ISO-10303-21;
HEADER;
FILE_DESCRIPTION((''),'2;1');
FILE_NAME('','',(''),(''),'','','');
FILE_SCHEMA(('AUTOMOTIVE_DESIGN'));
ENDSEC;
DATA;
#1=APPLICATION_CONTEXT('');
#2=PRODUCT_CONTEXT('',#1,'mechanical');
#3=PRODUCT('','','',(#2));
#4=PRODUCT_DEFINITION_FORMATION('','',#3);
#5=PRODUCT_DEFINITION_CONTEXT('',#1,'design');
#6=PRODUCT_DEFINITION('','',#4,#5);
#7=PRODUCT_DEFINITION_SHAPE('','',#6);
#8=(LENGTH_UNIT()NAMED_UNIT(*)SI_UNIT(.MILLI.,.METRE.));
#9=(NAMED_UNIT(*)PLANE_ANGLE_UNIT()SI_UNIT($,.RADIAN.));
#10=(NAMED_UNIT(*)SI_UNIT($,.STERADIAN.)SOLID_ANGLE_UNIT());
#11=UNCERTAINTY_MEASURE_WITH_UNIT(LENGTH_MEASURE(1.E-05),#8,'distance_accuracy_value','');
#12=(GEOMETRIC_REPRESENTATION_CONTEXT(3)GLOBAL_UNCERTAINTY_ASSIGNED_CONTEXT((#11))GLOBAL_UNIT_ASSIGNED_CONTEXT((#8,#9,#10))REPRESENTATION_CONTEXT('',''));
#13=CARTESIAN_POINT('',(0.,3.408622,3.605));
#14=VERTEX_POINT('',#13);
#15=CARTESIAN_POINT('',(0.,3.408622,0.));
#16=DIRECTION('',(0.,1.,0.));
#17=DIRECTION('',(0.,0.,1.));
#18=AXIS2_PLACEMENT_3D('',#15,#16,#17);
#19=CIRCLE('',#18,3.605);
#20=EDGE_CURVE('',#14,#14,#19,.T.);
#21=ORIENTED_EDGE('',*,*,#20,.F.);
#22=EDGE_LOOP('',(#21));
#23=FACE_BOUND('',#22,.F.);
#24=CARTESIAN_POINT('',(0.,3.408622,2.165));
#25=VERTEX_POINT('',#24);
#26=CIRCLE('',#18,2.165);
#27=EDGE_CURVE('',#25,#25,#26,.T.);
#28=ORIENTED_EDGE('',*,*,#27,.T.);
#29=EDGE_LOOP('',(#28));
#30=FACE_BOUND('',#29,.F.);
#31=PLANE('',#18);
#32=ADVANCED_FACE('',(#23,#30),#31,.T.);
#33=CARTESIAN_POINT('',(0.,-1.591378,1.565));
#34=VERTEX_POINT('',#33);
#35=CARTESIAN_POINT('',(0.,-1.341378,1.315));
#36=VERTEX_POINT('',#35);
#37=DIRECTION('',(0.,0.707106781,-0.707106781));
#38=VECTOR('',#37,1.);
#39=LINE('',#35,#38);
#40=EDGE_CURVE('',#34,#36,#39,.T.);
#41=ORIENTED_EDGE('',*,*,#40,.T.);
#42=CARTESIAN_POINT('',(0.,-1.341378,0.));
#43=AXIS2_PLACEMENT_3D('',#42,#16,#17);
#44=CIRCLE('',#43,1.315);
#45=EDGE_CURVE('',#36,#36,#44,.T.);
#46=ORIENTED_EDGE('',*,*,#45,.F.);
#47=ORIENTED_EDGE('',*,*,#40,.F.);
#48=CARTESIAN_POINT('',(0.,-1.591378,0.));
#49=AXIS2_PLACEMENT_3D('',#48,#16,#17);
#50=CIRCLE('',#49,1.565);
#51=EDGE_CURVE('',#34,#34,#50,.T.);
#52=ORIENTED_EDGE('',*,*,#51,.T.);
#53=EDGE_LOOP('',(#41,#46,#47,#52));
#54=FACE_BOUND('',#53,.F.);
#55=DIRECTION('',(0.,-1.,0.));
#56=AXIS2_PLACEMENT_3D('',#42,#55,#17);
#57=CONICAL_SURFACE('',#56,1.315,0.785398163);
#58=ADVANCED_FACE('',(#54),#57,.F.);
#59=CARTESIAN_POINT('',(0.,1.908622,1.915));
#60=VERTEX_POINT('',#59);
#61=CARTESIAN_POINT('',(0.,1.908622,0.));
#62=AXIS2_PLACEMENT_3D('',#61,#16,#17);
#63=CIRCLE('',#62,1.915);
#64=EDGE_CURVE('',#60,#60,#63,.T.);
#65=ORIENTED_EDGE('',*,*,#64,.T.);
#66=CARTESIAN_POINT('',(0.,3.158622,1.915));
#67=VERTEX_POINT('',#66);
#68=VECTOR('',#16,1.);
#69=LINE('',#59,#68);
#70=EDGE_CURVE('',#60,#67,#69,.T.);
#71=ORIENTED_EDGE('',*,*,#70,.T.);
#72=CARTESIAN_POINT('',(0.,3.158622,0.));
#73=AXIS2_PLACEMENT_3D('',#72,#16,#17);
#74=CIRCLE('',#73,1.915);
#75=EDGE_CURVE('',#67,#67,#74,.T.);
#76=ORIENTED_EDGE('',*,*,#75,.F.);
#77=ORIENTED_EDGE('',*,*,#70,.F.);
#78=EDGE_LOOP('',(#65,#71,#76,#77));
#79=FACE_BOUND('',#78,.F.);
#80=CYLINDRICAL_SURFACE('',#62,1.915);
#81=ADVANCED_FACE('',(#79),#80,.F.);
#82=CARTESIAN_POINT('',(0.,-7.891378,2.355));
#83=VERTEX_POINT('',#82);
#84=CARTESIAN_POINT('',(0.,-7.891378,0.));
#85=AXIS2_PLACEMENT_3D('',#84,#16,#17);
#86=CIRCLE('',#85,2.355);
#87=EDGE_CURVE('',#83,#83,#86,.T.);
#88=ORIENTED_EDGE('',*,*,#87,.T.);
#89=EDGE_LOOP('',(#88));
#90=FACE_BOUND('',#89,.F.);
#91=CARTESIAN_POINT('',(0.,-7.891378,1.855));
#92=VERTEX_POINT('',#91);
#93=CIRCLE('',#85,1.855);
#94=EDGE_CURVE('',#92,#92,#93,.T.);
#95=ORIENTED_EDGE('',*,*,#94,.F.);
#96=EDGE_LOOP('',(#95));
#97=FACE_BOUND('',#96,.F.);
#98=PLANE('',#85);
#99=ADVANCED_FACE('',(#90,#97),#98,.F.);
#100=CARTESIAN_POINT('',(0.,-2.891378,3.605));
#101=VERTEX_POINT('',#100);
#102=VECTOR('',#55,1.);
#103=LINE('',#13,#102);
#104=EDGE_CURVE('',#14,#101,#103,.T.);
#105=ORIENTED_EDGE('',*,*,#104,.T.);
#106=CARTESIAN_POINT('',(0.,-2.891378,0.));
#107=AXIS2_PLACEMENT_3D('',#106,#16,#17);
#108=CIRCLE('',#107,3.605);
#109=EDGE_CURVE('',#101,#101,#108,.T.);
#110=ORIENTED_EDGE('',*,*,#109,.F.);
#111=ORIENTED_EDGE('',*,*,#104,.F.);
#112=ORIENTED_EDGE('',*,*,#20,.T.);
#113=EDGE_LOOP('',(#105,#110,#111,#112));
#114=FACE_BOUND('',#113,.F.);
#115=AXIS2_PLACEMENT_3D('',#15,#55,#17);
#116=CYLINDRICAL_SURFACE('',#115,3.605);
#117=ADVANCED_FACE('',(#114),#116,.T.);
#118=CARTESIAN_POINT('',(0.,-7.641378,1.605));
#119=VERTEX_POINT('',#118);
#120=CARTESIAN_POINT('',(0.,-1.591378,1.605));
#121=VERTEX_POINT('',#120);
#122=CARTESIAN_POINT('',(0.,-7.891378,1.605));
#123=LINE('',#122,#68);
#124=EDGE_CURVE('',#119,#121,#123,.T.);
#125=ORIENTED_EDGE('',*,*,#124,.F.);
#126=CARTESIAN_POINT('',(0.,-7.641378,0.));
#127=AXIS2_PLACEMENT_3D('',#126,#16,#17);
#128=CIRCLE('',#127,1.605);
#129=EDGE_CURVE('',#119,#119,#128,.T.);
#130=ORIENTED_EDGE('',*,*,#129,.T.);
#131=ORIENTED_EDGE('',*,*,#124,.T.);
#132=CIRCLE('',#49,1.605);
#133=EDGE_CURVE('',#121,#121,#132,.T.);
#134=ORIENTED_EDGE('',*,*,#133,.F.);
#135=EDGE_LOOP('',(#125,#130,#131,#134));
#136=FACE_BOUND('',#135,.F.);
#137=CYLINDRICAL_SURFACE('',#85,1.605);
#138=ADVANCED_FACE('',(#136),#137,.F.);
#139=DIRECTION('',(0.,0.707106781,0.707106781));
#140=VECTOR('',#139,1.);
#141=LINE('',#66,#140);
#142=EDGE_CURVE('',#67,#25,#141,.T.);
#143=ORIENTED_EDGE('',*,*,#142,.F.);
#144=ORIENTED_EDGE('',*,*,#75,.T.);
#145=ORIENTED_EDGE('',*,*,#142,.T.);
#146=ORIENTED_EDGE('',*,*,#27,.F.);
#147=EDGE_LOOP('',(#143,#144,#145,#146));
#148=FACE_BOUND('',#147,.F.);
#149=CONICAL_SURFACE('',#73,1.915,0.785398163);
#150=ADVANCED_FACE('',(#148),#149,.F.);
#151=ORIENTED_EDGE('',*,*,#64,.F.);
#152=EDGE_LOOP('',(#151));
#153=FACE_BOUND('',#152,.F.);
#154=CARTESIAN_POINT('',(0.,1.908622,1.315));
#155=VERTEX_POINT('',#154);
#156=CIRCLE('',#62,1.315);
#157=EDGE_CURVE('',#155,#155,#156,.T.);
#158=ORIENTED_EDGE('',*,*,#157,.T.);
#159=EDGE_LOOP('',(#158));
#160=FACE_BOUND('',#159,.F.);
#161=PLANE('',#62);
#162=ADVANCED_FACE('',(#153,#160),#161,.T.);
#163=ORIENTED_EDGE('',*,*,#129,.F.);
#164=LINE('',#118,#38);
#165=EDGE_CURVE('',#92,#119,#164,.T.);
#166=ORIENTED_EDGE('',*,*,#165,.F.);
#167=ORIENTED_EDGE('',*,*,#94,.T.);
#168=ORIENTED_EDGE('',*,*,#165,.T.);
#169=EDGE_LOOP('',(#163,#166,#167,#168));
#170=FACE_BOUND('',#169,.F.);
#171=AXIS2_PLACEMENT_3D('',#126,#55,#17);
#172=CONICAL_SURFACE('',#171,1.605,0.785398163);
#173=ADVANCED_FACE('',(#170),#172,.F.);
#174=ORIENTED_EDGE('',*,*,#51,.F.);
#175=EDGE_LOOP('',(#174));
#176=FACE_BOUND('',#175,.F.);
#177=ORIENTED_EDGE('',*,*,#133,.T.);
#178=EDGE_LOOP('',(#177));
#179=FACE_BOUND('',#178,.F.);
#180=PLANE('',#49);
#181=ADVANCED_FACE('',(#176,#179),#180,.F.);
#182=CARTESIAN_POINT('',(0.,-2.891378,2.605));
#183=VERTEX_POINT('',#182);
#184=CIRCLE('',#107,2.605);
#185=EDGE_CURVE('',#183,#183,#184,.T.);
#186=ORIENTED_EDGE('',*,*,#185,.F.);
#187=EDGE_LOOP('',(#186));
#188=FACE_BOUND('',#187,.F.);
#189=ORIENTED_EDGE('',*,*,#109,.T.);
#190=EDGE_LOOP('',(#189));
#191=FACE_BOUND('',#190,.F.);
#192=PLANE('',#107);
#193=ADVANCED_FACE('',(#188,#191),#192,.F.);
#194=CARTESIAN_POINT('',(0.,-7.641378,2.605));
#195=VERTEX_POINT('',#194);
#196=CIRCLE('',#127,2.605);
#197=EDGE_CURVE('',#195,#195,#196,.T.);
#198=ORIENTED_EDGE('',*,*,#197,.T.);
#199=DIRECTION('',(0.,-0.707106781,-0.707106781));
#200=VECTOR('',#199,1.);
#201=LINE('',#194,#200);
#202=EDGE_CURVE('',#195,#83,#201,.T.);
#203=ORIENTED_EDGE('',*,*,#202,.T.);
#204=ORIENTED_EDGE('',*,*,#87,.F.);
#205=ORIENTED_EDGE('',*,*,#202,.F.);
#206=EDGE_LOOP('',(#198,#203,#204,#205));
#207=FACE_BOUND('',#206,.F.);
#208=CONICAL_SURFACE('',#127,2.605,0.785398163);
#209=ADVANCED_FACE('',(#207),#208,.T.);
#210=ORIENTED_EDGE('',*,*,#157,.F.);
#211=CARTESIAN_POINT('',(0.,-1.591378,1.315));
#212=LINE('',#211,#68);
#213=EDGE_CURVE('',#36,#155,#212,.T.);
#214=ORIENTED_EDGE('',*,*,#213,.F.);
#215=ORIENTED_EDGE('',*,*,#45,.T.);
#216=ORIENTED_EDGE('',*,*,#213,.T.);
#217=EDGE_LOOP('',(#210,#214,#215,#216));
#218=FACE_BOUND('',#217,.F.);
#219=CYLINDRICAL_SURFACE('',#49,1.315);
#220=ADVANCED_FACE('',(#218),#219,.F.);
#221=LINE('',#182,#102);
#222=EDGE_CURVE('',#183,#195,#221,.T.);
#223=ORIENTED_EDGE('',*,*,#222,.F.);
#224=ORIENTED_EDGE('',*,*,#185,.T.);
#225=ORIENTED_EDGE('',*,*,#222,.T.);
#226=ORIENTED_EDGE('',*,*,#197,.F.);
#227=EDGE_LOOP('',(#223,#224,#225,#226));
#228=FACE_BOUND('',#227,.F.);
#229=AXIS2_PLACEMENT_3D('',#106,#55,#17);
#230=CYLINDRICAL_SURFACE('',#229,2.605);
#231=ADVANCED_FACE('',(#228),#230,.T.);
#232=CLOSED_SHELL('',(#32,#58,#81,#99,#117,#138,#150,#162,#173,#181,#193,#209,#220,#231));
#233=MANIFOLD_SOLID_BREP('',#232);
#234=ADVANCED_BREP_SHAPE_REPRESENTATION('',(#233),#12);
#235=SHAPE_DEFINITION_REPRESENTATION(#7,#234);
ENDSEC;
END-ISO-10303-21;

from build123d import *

# Parameters (mm, degrees)
F2_SIZE = 0.25


with BuildPart() as f1:
    # F0 (on Right) → F1 (revolve)
    with BuildSketch(Plane.YZ):
        Polygon((-2.891378, 2.605), (-7.891378, 2.605), (-7.891378, 1.605), (-1.591378, 1.605), (-1.591378, 1.315), (1.908622, 1.315), (1.908622, 1.915), (3.408622, 1.915), (3.408622, 3.605), (-2.891378, 3.605), align=None)
    revolve(axis=Axis((0, -1.641889, 0), (0, 1, 0)))

    # F2
    f2_edges = [f1.edges().sort_by_distance(p)[0] for p in [
        (0, 3.408622, -1.915),
        (0, -7.891378, -1.605),
        (0, -7.891378, -2.605),
        (0, -1.591378, -1.315),
    ]]
    chamfer(f2_edges, length=F2_SIZE)


solid = f1.part
